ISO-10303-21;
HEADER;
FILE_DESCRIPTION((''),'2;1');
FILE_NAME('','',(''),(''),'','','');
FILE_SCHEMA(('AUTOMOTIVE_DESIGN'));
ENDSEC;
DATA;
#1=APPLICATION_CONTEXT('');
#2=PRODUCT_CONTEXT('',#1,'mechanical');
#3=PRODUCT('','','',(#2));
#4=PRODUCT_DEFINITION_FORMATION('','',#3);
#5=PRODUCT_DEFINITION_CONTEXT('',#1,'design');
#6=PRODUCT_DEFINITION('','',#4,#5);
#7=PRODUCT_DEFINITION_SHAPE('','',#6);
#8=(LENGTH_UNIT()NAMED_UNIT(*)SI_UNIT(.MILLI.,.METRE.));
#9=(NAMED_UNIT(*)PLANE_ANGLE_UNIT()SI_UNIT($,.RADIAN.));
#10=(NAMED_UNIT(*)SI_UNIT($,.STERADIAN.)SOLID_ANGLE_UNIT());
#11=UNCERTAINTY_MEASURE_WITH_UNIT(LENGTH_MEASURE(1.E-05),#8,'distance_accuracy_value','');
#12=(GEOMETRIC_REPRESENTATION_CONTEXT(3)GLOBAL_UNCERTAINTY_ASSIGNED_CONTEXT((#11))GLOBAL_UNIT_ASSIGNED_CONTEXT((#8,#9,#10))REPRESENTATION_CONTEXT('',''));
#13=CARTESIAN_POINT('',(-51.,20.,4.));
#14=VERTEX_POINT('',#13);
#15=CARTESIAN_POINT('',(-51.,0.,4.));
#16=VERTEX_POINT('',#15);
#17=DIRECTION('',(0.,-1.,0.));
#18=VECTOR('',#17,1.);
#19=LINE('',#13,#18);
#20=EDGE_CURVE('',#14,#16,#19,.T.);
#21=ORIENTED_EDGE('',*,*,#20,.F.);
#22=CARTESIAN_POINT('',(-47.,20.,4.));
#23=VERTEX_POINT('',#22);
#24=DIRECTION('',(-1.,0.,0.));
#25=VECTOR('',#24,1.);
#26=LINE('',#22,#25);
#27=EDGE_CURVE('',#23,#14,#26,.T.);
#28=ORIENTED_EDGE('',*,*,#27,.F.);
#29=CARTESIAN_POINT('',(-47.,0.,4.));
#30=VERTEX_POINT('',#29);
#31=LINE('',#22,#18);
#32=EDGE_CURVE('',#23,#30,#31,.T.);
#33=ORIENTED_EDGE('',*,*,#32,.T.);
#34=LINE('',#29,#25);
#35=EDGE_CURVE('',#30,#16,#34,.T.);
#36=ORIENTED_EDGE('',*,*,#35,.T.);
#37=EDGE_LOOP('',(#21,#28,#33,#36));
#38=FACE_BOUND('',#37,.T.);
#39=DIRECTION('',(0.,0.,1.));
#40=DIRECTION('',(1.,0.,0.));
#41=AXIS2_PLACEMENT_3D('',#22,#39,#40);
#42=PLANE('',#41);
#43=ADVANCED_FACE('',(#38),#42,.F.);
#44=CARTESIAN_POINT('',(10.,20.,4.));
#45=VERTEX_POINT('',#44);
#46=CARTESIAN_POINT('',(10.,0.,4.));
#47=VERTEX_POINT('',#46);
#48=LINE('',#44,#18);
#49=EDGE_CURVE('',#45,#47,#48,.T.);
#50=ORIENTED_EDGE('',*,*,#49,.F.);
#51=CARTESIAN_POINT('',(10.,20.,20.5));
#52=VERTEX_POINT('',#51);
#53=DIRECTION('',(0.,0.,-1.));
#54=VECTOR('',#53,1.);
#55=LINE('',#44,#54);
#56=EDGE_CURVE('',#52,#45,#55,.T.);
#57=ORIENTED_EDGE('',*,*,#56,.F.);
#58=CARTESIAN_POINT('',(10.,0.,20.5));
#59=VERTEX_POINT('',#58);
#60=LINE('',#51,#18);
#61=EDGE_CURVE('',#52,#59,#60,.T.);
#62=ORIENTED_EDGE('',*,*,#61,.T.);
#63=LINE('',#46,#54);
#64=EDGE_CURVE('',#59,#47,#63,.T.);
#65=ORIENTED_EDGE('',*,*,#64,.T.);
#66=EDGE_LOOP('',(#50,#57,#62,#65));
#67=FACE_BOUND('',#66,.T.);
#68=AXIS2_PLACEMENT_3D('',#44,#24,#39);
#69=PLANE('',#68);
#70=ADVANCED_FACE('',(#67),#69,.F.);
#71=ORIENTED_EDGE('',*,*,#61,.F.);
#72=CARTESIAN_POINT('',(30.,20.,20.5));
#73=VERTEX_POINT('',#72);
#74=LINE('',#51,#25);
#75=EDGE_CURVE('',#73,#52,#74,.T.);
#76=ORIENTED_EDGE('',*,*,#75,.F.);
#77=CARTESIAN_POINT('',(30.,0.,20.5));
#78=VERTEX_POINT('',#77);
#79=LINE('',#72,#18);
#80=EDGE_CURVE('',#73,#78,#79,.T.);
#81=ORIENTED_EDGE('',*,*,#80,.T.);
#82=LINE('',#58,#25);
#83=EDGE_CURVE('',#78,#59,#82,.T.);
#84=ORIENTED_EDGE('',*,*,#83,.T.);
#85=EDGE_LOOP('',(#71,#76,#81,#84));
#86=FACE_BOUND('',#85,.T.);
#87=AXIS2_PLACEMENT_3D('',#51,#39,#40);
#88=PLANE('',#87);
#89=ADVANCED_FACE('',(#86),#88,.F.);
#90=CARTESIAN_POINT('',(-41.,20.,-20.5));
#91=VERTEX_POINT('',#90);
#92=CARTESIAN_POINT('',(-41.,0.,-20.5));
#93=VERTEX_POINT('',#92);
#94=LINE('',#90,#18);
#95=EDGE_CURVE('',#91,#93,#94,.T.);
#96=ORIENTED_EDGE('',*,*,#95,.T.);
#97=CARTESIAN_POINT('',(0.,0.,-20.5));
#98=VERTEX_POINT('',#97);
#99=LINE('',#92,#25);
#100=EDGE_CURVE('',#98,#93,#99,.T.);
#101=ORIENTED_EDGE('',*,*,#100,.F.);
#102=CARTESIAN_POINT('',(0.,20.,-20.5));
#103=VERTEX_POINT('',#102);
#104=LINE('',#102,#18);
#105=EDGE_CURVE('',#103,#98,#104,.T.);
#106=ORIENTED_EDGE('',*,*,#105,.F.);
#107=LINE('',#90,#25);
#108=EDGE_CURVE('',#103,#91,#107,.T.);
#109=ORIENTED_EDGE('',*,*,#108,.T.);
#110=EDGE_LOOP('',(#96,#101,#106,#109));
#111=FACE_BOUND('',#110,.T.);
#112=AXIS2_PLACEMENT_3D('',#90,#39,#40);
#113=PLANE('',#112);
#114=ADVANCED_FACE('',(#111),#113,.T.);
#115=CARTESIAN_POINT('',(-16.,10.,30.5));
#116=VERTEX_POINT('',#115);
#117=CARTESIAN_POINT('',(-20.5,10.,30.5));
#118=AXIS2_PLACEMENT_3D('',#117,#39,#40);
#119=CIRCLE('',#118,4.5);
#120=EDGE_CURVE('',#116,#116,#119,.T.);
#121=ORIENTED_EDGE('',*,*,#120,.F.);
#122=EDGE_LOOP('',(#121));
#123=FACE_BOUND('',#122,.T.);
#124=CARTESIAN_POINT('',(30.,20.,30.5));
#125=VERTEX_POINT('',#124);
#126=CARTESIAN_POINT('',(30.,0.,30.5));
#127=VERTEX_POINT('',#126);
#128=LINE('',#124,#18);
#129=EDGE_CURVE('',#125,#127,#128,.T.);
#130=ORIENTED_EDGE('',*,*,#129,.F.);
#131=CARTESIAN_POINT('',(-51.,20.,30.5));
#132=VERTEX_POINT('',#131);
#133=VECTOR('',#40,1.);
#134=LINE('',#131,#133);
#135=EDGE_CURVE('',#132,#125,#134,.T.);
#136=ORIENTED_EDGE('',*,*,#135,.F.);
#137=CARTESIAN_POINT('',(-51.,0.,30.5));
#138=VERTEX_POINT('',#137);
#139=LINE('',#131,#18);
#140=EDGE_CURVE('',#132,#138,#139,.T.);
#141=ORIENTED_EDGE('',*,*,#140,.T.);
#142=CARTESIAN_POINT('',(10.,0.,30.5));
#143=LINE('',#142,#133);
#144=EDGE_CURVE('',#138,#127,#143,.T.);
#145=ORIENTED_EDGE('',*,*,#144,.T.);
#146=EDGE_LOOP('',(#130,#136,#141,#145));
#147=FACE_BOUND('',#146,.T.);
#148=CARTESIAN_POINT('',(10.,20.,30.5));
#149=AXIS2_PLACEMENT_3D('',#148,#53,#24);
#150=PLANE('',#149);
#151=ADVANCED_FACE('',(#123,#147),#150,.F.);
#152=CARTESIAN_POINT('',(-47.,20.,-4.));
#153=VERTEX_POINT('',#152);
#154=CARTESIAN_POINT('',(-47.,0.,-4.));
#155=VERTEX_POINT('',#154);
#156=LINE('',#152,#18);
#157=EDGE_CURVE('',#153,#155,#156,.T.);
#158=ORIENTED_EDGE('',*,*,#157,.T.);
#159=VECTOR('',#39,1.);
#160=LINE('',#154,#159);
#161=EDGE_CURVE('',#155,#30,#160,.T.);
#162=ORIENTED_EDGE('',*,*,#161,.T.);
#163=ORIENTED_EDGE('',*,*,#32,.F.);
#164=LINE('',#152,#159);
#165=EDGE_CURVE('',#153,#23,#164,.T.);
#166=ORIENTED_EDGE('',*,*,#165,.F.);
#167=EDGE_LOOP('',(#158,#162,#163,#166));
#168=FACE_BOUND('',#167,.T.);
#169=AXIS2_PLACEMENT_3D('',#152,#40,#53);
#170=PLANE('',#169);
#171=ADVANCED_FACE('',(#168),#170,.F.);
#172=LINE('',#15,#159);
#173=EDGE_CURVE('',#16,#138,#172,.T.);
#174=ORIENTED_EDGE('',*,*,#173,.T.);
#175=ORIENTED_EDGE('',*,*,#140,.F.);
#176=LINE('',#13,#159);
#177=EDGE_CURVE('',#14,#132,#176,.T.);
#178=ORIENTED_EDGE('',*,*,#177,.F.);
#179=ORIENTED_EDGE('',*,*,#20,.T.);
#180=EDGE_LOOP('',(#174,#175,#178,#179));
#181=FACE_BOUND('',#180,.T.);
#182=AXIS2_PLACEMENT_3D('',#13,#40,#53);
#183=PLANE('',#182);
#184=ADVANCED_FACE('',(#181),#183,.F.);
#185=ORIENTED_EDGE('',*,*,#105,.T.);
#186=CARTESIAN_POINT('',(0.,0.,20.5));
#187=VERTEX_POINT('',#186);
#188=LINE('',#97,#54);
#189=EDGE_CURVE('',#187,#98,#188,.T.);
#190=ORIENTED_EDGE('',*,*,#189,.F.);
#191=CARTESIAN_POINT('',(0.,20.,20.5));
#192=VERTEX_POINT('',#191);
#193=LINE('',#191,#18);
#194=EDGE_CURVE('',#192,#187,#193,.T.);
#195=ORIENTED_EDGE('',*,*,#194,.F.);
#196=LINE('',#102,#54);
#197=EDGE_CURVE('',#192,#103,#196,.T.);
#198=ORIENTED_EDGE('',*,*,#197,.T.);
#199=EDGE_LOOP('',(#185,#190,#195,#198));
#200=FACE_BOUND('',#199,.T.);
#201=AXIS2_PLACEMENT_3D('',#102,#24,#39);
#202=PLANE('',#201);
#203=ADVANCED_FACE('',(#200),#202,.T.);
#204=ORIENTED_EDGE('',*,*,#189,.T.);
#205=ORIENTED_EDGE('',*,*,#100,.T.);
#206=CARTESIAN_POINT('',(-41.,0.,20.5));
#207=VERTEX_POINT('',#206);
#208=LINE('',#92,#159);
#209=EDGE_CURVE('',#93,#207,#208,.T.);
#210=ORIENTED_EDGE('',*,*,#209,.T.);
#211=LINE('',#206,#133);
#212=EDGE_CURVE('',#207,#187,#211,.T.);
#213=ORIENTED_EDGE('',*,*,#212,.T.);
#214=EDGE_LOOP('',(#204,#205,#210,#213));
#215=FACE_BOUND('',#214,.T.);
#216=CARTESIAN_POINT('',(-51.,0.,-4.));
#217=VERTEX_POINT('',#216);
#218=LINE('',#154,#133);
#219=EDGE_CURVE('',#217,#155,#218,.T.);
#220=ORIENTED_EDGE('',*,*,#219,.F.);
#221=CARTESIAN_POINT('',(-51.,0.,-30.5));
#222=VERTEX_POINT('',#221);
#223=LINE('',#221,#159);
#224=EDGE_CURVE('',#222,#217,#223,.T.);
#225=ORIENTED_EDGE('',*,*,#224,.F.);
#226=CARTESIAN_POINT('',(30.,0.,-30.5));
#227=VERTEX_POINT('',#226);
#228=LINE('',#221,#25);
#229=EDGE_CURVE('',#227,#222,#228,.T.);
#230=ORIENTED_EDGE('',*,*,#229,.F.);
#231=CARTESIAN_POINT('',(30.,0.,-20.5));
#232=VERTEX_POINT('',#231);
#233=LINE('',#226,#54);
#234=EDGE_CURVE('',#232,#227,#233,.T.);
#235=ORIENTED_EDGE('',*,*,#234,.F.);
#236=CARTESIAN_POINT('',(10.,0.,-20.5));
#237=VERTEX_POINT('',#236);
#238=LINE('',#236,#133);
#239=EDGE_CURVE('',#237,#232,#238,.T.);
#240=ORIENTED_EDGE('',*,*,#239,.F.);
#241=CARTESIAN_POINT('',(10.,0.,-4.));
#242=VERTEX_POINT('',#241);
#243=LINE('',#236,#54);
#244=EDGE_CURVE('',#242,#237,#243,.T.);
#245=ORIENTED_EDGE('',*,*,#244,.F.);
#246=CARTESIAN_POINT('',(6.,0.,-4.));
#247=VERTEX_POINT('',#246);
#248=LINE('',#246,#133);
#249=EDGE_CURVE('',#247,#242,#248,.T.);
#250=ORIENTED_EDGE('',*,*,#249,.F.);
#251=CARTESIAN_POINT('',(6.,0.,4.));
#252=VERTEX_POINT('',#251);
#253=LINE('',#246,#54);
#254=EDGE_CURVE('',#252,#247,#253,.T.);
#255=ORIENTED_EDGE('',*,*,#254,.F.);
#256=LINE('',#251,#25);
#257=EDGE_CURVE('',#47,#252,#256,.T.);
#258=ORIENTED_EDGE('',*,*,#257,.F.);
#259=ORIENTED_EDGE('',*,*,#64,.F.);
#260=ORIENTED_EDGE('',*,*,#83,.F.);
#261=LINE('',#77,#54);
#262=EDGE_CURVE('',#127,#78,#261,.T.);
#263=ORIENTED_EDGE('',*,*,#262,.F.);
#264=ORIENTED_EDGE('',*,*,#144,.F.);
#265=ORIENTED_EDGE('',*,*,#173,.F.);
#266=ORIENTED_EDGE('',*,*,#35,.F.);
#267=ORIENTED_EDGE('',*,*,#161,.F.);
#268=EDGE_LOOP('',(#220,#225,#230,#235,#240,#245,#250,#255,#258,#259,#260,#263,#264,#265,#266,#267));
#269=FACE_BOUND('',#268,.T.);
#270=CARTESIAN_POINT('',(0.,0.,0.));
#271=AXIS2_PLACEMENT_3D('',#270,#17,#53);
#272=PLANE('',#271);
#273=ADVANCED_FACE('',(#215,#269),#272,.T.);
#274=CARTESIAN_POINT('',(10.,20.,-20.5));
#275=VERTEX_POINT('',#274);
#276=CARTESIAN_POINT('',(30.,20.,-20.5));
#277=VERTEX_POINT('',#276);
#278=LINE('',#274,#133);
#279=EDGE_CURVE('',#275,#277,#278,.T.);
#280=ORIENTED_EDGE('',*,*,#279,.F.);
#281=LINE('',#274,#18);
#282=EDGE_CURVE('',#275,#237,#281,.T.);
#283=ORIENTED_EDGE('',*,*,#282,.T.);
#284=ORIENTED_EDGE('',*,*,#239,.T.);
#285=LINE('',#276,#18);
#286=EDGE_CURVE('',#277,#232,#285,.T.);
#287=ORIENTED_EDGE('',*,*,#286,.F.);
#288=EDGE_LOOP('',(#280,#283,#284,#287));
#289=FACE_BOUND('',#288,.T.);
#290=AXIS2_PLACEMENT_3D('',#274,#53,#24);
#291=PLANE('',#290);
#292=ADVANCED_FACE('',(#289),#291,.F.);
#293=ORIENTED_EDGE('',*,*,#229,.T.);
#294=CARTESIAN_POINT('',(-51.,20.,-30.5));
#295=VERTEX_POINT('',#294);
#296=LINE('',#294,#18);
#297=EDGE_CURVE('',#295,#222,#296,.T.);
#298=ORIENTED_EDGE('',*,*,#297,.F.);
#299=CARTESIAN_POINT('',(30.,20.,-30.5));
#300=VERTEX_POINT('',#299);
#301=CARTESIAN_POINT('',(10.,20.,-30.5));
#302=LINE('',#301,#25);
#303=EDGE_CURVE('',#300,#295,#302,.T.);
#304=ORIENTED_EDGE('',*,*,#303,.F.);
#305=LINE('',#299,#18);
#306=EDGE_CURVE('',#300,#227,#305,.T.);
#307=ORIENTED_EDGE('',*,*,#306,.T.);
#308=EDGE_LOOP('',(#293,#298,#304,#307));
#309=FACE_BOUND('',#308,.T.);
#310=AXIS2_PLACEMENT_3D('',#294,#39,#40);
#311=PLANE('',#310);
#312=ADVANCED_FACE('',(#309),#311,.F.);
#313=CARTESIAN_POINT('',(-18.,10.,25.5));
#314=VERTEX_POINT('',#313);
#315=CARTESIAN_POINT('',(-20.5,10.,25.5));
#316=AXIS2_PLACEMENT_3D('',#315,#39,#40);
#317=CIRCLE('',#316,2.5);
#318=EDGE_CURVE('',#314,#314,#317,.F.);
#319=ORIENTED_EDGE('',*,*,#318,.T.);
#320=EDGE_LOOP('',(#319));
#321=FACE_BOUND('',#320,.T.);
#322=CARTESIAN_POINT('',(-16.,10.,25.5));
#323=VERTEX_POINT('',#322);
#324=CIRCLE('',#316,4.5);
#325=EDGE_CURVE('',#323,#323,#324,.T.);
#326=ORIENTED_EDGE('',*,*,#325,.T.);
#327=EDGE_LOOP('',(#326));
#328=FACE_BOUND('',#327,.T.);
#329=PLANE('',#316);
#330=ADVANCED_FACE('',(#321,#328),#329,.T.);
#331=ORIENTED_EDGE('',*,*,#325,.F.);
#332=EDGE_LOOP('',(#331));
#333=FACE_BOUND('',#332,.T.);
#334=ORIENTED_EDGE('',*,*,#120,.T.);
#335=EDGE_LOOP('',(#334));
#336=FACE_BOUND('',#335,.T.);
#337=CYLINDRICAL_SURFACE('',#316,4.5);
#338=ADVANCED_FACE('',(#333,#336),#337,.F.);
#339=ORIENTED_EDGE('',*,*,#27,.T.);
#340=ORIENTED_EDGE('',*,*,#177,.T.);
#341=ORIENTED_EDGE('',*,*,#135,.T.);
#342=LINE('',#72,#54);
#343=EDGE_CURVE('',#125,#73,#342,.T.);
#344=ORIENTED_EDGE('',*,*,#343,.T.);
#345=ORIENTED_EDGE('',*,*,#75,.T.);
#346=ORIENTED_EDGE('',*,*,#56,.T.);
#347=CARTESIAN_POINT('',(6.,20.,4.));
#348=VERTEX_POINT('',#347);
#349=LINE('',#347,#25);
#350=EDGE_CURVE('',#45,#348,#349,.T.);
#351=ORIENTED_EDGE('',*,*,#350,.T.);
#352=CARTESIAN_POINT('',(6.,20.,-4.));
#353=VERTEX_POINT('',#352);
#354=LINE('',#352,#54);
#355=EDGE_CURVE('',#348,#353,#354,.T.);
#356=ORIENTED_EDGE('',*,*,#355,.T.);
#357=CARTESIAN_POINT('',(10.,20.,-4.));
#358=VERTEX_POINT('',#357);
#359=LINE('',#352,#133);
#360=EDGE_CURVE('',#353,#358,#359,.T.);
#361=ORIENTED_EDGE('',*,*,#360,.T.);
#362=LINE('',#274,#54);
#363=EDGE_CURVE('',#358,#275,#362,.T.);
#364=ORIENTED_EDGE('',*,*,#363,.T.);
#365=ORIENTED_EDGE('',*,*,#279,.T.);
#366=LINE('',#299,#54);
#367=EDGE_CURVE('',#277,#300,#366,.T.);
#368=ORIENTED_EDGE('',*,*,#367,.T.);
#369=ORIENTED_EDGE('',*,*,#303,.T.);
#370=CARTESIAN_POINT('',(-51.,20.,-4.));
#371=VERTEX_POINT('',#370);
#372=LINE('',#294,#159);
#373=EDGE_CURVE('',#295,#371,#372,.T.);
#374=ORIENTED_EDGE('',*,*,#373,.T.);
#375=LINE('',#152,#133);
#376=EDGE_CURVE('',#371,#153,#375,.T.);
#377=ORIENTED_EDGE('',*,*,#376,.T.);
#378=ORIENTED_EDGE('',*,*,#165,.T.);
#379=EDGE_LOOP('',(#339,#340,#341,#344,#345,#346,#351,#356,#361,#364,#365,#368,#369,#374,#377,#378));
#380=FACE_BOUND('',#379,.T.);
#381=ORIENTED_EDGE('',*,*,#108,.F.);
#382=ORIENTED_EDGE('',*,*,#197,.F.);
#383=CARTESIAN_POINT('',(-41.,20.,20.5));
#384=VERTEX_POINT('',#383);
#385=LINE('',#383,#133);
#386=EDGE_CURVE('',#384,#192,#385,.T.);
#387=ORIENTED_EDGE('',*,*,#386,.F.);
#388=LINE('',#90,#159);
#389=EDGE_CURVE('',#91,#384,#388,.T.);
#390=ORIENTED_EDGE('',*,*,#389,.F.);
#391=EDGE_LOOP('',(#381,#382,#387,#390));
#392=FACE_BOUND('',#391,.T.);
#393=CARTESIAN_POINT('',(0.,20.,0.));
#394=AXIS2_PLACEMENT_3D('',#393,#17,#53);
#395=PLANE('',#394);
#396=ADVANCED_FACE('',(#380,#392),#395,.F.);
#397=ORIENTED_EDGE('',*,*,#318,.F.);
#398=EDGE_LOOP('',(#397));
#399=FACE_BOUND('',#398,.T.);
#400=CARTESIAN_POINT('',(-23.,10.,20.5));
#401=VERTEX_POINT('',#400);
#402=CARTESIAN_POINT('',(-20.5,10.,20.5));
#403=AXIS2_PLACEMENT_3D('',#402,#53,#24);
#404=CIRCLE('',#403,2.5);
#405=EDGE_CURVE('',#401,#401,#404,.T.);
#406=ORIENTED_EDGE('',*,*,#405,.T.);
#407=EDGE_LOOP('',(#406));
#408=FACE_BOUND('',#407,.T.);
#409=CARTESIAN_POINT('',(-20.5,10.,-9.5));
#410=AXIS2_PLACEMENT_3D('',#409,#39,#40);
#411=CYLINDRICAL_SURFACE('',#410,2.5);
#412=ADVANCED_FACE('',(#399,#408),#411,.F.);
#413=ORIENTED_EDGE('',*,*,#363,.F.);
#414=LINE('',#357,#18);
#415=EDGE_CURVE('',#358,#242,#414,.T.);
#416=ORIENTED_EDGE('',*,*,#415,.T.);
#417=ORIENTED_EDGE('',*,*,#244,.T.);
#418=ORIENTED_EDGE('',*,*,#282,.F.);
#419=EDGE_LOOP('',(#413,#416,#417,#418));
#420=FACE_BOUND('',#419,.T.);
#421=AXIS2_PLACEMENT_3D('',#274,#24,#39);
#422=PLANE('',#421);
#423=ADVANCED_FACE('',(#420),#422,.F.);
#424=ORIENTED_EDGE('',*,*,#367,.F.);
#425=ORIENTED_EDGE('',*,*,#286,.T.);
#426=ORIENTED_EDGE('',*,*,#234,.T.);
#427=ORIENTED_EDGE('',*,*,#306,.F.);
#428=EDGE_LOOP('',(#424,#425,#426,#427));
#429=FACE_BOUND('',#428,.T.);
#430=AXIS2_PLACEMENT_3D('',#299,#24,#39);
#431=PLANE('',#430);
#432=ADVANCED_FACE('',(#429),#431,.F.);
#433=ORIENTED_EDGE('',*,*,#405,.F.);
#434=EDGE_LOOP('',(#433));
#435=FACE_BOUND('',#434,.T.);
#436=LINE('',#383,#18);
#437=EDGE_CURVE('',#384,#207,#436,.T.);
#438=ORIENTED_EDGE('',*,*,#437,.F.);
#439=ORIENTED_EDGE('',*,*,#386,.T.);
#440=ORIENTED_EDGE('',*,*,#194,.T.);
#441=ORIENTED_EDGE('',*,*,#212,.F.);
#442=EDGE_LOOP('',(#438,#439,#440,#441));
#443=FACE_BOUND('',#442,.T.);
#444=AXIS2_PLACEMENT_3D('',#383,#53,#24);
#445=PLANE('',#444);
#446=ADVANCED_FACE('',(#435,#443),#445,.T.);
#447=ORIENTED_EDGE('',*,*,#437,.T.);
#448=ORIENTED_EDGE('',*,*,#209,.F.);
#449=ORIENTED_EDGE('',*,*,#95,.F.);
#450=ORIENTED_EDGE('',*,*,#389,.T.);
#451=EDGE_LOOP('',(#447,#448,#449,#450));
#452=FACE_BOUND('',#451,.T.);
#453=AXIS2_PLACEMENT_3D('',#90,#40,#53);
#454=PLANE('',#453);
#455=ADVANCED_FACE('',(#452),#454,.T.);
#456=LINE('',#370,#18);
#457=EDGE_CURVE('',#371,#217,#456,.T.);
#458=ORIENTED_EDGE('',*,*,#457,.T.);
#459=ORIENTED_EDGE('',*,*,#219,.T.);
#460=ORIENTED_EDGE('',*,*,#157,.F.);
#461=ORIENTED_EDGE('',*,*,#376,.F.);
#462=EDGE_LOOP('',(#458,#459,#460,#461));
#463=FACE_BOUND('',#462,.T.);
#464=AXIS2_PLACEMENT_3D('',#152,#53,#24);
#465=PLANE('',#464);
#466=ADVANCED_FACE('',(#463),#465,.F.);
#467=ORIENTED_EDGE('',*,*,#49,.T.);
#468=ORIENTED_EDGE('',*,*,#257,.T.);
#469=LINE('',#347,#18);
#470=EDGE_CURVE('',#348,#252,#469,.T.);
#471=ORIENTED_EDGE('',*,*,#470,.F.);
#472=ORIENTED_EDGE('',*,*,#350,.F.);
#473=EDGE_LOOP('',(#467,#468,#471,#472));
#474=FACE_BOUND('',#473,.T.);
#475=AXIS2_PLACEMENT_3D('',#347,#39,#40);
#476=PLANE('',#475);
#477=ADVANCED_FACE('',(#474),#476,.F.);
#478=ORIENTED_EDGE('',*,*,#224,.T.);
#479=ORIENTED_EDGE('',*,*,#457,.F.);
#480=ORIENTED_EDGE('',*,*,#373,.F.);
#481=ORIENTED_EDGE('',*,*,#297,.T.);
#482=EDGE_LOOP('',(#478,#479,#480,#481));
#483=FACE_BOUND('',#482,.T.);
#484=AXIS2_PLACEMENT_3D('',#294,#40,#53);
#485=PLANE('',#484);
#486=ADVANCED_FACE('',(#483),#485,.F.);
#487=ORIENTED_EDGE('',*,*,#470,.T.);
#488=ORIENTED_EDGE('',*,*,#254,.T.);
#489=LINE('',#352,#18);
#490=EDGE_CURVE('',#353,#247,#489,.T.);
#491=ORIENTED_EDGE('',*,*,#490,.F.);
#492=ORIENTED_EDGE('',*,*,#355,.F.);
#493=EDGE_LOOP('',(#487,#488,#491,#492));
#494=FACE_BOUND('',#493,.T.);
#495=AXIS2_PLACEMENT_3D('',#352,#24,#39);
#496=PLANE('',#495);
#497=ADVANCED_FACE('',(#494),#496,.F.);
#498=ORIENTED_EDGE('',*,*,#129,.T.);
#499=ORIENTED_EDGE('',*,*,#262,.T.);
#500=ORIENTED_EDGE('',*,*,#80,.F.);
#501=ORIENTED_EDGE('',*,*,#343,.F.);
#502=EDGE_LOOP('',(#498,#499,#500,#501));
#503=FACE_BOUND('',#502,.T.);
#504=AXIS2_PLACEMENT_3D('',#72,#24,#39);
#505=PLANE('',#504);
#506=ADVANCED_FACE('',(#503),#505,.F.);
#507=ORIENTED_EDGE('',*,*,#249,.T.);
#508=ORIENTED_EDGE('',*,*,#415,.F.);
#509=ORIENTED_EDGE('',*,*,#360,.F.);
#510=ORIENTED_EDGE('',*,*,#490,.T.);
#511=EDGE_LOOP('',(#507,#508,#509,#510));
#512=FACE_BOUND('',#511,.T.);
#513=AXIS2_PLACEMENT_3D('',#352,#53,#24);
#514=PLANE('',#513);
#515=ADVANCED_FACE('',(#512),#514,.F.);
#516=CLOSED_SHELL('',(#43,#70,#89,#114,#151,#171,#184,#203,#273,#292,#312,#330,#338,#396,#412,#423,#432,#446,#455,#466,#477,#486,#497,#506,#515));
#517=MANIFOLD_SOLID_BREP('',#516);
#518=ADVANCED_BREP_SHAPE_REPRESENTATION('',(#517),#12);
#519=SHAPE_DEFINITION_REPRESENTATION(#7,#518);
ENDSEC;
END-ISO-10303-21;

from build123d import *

# Parameters (mm, degrees)
SKETCH1_W           = 41
SKETCH1_H           = 41
BOSS_EXTRUDE1_DEPTH = 20
SKETCH2_R           = 2.5
CUT_EXTRUDE1_DEPTH  = 40
SKETCH3_R           = 4.5
CUT_EXTRUDE2_DEPTH  = 5


with BuildPart() as part:
    # Sketch1 → Boss-Extrude1 (new body)
    with BuildSketch(Plane(origin=(0, 0, 0), x_dir=(1, 0, 0), z_dir=(0, 1, 0))):
        Polygon((-51, 30.5), (10, 30.5), (30, 30.5), (30, 20.5), (10, 20.5), (10, 4), (6, 4), (6, -4), (10, -4), (10, -20.5), (30, -20.5), (30, -30.5), (10, -30.5), (-51, -30.5), (-51, -4), (-47, -4), (-47, 4), (-51, 4), align=None)
        with Locations((-20.5, 0)):
            Rectangle(SKETCH1_W, SKETCH1_H, mode=Mode.SUBTRACT)
    extrude(amount=BOSS_EXTRUDE1_DEPTH)

    # Sketch2 → Cut-Extrude1 (cut)
    with BuildSketch(Plane.XY.offset(30.5)):
        with Locations((-20.5, 10)):
            Circle(SKETCH2_R)
    extrude(amount=-CUT_EXTRUDE1_DEPTH, mode=Mode.SUBTRACT)

    # Sketch3 → Cut-Extrude2 (cut)
    with BuildSketch(Plane.XY.offset(30.5)):
        with Locations((-20.5, 10)):
            Circle(SKETCH3_R)
    extrude(amount=-CUT_EXTRUDE2_DEPTH, mode=Mode.SUBTRACT)


solid = part.part
